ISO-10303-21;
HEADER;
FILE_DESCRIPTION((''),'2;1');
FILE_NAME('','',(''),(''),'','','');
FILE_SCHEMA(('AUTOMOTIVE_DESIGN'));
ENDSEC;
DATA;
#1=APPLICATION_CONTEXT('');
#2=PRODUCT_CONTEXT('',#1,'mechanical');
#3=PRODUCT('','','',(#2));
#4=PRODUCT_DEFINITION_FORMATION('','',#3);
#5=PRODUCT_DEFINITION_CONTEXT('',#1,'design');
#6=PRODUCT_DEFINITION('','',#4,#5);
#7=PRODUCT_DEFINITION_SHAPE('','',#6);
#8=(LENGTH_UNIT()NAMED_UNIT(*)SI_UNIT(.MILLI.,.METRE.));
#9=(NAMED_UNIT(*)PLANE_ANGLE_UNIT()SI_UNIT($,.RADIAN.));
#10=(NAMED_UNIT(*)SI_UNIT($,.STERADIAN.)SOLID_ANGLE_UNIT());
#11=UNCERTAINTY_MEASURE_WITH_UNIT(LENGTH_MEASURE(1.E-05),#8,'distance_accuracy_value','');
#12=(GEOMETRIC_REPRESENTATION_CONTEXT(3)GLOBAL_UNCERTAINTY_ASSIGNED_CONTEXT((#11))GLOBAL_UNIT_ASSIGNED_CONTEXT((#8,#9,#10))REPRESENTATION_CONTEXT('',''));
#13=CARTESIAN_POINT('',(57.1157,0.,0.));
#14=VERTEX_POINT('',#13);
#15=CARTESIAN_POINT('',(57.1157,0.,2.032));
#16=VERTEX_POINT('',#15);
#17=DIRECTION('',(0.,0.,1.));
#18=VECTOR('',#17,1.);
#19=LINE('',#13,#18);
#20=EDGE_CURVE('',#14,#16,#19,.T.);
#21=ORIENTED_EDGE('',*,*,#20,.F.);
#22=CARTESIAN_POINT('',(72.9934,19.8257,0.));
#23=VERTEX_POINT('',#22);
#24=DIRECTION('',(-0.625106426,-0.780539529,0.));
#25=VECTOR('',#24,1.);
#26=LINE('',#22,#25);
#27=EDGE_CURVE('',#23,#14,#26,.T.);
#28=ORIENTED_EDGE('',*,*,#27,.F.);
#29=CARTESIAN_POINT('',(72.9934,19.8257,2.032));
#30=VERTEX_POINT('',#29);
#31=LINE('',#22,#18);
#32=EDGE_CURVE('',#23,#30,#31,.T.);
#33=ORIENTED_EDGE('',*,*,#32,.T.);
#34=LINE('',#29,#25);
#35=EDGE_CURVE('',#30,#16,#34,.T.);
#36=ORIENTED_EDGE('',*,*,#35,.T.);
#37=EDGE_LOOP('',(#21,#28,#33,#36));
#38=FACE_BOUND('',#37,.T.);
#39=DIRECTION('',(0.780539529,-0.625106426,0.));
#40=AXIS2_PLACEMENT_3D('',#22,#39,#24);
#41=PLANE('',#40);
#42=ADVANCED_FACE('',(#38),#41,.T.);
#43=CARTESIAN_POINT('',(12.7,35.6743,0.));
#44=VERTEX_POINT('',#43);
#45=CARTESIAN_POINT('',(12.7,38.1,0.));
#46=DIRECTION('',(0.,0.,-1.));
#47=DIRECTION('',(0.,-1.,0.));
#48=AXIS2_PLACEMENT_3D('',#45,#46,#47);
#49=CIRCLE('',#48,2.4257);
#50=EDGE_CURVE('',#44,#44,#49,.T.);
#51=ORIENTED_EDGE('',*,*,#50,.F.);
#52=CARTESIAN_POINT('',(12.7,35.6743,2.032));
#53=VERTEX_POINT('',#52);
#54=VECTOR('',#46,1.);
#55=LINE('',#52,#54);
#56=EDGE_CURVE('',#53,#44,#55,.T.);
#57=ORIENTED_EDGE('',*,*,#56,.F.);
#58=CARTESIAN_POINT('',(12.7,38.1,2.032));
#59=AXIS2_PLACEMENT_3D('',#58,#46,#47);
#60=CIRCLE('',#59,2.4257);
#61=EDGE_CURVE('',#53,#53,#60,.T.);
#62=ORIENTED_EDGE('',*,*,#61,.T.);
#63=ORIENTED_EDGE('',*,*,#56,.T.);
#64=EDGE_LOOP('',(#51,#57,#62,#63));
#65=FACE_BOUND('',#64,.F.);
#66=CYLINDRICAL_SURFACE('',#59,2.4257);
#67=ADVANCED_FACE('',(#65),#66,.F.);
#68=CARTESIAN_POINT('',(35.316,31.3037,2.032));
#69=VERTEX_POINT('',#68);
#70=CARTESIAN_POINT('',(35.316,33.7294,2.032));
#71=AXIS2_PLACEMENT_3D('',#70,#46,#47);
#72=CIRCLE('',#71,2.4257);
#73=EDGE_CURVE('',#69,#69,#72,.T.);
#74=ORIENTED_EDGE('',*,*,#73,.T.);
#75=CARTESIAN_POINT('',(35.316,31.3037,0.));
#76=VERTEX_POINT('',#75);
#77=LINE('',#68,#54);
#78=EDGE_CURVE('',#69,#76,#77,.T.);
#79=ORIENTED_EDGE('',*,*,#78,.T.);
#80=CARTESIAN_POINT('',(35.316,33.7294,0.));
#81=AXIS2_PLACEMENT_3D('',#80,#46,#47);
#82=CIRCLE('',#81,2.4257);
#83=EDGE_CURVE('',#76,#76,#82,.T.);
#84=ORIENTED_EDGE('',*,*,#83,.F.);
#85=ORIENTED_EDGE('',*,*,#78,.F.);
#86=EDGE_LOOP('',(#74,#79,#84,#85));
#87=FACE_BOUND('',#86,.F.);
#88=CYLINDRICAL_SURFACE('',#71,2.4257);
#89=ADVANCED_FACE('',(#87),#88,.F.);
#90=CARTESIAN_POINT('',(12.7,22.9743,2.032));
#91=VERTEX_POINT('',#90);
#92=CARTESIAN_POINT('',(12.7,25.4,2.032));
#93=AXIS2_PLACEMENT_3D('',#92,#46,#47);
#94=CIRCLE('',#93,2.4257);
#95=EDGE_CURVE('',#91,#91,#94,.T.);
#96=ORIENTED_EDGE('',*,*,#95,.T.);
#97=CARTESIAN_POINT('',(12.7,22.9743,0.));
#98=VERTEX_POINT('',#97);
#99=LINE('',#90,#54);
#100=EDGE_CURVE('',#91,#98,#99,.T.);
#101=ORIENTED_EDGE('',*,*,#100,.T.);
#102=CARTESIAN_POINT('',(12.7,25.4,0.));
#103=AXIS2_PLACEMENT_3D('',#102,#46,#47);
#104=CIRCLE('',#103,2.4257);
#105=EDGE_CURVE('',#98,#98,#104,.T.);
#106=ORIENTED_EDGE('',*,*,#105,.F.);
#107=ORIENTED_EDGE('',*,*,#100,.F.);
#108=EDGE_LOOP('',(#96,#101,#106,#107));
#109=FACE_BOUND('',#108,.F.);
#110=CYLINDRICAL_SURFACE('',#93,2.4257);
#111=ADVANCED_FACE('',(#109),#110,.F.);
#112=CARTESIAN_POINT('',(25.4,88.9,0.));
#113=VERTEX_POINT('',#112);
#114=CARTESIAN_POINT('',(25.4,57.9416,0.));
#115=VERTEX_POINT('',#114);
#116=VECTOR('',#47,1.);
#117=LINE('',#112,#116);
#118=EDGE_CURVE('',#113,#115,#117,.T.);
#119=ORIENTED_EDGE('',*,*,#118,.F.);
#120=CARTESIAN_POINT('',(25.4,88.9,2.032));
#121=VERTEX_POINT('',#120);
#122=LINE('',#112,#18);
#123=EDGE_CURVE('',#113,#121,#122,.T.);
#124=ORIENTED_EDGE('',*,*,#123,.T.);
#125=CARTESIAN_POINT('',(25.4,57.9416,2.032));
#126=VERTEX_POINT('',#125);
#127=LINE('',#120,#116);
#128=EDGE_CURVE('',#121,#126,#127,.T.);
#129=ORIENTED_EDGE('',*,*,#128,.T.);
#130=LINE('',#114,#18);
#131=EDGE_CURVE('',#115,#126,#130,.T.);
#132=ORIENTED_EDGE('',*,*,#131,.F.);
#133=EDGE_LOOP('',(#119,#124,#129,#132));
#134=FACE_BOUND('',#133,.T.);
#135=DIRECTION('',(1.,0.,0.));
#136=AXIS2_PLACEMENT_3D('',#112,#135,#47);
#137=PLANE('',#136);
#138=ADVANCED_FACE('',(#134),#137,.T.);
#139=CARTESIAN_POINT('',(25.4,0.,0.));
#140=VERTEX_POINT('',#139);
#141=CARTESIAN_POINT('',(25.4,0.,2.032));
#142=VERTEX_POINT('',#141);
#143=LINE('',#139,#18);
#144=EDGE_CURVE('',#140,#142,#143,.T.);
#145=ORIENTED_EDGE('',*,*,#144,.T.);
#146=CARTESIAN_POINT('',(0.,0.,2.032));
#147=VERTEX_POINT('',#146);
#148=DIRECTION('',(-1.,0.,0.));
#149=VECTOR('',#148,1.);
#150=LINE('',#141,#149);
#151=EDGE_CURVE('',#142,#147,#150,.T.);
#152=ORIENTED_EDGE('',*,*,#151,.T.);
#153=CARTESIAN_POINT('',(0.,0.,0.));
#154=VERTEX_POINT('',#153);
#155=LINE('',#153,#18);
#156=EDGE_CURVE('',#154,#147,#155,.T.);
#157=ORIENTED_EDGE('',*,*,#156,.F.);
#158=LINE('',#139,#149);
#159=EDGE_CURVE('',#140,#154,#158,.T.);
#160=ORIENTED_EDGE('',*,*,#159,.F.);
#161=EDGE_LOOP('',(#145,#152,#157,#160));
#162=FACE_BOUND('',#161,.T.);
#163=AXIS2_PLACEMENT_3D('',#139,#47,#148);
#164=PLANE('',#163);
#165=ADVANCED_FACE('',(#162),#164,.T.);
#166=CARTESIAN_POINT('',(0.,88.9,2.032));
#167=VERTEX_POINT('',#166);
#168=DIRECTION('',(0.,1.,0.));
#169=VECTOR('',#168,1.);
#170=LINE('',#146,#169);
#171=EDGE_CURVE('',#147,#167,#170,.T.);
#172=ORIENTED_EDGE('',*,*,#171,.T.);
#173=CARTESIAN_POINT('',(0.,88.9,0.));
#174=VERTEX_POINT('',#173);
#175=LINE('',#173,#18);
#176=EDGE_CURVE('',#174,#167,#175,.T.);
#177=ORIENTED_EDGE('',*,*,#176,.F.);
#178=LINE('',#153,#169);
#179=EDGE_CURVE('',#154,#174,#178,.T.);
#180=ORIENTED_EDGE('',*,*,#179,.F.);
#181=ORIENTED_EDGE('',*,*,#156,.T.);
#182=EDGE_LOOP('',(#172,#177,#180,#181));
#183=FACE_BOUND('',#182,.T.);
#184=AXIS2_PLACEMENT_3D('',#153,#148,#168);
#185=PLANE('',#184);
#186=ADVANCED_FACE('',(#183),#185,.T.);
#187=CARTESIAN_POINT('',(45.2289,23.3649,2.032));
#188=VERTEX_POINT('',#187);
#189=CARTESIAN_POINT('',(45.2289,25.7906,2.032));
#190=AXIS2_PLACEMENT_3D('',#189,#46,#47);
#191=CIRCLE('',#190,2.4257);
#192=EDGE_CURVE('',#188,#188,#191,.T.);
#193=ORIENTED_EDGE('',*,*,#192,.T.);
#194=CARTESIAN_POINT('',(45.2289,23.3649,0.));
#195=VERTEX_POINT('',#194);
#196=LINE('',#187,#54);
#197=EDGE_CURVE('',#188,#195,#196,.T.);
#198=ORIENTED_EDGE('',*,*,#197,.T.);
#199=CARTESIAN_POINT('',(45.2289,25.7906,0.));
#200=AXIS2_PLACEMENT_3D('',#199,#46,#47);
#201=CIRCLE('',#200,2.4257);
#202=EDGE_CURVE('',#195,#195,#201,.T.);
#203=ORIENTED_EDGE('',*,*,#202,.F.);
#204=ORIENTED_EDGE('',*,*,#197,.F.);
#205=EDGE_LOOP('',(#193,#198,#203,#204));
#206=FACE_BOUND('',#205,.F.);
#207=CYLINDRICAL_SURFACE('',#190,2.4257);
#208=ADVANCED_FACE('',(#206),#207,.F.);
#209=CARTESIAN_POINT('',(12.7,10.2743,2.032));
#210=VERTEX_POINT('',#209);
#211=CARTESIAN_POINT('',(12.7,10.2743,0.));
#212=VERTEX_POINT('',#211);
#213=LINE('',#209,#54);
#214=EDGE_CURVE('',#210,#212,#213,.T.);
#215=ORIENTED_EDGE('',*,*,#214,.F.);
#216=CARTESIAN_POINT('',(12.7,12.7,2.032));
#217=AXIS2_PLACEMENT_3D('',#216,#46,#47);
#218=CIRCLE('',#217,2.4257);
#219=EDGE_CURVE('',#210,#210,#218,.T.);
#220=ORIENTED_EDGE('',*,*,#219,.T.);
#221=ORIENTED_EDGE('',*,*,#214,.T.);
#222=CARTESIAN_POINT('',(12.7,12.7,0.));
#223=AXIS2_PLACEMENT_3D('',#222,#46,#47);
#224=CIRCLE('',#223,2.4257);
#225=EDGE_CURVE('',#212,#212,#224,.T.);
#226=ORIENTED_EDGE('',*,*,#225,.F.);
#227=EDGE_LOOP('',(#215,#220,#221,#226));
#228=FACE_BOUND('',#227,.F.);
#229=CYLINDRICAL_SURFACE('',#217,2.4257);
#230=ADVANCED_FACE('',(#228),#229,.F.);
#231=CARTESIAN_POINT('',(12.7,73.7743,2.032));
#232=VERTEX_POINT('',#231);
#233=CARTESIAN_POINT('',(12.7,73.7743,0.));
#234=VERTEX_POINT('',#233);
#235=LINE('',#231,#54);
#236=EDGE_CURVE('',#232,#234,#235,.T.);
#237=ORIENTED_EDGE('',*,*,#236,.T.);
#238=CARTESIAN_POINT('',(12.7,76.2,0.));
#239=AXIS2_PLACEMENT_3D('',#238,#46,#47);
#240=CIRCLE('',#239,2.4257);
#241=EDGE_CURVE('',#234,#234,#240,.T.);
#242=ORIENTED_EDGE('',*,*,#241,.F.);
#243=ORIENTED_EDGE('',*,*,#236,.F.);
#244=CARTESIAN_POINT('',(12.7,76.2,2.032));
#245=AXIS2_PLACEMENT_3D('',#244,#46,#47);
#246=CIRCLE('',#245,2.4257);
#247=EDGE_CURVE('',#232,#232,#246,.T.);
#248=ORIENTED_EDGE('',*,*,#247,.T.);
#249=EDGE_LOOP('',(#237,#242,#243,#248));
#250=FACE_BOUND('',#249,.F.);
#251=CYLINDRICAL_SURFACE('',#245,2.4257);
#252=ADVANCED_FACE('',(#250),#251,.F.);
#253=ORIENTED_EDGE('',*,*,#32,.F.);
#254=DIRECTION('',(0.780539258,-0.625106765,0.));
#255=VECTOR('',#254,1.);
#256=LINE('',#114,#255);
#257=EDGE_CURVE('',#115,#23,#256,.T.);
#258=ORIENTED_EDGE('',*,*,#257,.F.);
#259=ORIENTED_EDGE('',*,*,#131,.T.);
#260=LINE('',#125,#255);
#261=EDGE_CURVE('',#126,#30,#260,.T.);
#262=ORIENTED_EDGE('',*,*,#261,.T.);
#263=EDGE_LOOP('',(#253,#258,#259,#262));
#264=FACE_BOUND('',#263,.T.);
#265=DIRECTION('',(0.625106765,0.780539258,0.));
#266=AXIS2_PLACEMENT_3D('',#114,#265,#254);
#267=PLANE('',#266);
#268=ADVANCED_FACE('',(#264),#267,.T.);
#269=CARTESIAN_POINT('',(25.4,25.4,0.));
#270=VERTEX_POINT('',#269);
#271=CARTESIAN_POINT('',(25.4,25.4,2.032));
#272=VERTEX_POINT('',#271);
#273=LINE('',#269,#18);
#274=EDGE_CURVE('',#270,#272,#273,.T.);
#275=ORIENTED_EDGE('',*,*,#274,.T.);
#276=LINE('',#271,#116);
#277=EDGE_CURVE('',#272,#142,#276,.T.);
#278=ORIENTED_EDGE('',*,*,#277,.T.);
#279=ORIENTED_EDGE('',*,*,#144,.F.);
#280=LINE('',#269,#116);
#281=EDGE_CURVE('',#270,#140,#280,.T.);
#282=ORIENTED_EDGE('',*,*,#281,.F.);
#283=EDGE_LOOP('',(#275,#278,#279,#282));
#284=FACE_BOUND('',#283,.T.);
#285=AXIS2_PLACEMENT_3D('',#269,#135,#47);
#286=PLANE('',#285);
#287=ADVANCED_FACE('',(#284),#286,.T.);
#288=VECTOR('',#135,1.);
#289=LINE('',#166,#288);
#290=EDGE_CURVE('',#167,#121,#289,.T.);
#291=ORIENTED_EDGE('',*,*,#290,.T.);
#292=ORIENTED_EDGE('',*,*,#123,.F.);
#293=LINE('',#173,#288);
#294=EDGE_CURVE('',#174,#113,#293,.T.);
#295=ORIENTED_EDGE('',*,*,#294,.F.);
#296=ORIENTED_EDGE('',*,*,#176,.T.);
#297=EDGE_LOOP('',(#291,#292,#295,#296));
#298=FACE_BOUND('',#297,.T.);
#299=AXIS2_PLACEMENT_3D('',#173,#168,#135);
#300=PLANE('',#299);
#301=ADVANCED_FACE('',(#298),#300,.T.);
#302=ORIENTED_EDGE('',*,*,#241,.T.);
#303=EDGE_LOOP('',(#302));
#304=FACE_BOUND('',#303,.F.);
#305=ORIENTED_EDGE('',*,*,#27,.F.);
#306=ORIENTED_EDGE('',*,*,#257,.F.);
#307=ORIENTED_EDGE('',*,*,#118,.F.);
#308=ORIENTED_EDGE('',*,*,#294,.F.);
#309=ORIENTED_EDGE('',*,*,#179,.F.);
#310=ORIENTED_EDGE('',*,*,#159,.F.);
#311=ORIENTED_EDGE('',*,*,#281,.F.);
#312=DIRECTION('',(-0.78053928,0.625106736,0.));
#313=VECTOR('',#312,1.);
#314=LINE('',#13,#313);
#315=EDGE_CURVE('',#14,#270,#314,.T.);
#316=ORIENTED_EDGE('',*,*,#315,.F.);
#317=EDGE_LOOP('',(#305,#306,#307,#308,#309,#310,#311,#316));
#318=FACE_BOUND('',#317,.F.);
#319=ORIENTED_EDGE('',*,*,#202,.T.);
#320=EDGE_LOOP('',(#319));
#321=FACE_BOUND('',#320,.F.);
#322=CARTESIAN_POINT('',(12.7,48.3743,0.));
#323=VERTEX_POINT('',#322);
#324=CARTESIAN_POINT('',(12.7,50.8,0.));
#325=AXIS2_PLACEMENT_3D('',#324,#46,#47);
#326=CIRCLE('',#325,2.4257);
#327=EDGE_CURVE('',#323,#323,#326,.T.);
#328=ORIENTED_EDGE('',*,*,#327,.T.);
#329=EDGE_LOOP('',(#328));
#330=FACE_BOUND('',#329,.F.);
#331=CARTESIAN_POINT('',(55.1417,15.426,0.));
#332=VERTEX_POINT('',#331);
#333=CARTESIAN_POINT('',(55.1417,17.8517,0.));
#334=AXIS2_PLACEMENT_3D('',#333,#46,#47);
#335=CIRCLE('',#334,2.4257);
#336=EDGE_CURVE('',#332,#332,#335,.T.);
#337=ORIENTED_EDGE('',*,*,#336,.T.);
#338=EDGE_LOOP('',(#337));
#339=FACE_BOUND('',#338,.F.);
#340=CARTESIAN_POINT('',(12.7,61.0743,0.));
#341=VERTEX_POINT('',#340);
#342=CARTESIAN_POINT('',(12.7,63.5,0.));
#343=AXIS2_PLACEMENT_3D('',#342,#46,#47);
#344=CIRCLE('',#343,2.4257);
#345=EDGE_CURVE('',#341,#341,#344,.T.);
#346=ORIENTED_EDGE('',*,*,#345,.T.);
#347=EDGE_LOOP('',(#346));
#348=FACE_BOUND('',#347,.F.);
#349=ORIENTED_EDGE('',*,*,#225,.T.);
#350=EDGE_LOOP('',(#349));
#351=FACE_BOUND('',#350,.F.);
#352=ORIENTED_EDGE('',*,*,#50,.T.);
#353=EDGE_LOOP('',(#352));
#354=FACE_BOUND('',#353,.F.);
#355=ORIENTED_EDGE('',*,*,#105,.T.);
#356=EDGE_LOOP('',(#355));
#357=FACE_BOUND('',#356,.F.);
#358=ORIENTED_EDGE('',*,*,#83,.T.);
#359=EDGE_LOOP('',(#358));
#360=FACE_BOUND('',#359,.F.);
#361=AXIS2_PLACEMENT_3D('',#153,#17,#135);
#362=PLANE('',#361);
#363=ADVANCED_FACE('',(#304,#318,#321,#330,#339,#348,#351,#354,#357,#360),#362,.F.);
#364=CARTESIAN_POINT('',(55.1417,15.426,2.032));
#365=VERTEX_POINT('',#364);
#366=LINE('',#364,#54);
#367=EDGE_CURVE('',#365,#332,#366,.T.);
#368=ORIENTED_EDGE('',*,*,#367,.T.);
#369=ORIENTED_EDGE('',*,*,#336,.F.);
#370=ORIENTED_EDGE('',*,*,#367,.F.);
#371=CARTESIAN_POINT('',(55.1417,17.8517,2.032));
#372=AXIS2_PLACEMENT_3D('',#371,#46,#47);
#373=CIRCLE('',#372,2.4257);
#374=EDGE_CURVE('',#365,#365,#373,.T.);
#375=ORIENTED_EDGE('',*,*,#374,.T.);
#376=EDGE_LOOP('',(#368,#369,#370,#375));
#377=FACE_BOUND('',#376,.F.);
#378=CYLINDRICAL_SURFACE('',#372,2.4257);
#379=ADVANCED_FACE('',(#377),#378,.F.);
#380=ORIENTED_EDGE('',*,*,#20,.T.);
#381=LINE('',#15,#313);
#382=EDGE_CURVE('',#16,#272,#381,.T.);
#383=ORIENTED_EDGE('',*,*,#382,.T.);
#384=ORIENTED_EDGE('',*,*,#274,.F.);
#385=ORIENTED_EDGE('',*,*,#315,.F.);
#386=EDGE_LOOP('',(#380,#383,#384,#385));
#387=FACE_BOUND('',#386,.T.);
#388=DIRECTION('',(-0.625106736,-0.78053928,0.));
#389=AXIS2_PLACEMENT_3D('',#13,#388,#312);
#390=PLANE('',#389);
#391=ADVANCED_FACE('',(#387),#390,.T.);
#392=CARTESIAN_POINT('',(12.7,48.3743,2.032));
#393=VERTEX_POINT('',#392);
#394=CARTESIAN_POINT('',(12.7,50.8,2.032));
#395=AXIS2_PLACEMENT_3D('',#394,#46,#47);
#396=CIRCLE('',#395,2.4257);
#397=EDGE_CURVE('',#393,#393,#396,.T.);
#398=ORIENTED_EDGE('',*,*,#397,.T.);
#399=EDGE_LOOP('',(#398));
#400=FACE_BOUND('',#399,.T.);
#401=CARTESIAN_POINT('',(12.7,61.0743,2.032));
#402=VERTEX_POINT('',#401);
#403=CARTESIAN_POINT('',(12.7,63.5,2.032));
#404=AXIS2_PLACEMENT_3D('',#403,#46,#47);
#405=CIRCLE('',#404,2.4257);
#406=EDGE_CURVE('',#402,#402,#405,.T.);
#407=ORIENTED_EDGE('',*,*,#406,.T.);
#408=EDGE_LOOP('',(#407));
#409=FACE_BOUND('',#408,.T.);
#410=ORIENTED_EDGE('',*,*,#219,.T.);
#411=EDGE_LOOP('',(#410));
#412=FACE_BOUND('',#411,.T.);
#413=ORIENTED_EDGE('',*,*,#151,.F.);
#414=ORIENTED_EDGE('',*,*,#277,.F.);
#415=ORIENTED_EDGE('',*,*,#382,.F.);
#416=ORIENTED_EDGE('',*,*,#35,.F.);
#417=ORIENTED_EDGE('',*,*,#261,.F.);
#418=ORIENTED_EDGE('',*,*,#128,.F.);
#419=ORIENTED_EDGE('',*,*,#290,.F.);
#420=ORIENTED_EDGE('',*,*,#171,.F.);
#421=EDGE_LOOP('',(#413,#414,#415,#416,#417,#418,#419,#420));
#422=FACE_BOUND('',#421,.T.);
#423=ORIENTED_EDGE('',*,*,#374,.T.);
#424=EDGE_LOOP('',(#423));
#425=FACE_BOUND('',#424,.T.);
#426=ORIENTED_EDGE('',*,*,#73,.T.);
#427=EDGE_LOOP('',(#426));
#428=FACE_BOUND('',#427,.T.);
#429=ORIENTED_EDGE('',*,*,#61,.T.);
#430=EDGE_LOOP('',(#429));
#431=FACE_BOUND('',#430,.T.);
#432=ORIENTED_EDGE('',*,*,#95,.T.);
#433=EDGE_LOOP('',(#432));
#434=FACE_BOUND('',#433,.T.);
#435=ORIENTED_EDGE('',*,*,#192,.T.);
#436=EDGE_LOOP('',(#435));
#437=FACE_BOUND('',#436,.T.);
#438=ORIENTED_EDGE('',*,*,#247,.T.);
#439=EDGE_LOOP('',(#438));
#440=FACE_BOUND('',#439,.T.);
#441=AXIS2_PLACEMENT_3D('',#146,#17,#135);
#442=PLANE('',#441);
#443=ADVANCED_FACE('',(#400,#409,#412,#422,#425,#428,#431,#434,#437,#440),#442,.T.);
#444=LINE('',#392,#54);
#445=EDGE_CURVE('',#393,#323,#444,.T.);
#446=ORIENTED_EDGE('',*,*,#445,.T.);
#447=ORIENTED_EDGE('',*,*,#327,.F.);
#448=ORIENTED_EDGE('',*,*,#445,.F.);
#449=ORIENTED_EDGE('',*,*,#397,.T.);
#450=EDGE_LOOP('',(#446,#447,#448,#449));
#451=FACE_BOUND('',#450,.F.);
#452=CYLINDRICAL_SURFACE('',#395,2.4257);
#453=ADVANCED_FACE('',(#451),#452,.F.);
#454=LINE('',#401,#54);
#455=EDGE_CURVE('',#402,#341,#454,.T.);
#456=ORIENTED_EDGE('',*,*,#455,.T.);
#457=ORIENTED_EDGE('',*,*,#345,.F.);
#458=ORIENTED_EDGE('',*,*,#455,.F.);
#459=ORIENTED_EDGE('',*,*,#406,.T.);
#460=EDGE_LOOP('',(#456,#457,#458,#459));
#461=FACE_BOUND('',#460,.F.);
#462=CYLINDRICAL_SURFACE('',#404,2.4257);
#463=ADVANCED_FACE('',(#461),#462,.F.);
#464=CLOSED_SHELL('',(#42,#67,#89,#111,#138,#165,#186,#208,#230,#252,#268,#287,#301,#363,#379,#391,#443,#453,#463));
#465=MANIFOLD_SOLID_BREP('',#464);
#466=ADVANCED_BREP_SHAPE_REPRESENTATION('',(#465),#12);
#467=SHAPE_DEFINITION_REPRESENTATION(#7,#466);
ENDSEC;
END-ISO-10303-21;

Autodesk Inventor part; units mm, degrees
ref_plane "YZ Plane" through (0, 0, 0) normal (1, 0, 0) x (0, 1, 0)
ref_plane "XZ Plane" through (0, 0, 0) normal (0, 1, 0) x (-1, 0, 0)
ref_plane "XY Plane" through (0, 0, 0) normal (0, 0, 1) x (1, 0, 0)
sketch "Sketch1" plane through (0, 0, 0) normal (0, 0, 1) x (1, 0, 0)
  line L0 (0, 0) -> (0, 88.9)
  line L1 (0, 88.9) -> (25.4, 88.9)
  line L2 (25.4, 88.9) -> (25.4, 57.9416)
  line L3 (25.4, 57.9416) -> (72.9934, 19.8257)
  line L4 (72.9934, 19.8257) -> (57.1157, 0)
  line L5 (57.1157, 0) -> (25.4, 25.4)
  line L6 (25.4, 25.4) -> (25.4, 0)
  line L7 (25.4, 0) -> (0, 0)
  dimension "d0" = 25.4
  dimension "d1" = 25.4
  dimension "d3" = 25.4
  dimension "d5" = 51.31
  dimension "d18" = 88.9
extrude "Extrusion1" add sketch "Sketch1" along normal blind 2.032
sketch "Sketch3" plane through (0, 0, 2.032) normal (0, 0, 1) x (1, 0, 0)
  line L0 (25.4, 57.9416) -> (25.4, 88.9) projected
  line L1 (0, 0) -> (25.4, 0) projected
  line L2 (72.9934, 19.8257) -> (25.4, 57.9416) projected
  line L3 (57.1157, 0) -> (72.9934, 19.8257) projected
  point P0 (12.7, 12.7)
  point P1 (12.7, 25.4)
  point P2 (12.7, 38.1)
  point P3 (12.7, 50.8)
  point P4 (12.7, 63.5)
  point P5 (12.7, 76.2)
  point P6 (55.1417, 17.8517)
  point P7 (45.2289, 25.7906)
  point P8 (35.316, 33.7294)
  dimension "d8" = 12.7
  dimension "d9" = 12.7
  dimension "d10" = 12.7
  dimension "d11" = 12.7
  dimension "d12" = 12.7
  dimension "d13" = 12.7
  dimension "d14" = 12.7
  dimension "d19" = 12.7
  dimension "d20" = 12.7
  dimension "d21" = 12.7
  dimension "d23" = 12.7
  dimension "d24" = 12.7
  dimension "d25" = 12.7
hole "Hole1" at (12.7, 12.7, 2.032) at (12.7, 25.4, 2.032) at (12.7, 38.1, 2.032) at (12.7, 50.8, 2.032) at (12.7, 63.5, 2.032) at (12.7, 76.2, 2.032) at (55.1417, 17.8517, 2.032) at (45.2289, 25.7906, 2.032) at (35.316, 33.7294, 2.032) direction (0, 0, -1) diameter 4.8514 end through all
equation "\"d10\" = d9"
equation "\"d11\" = d9"
equation "\"d12\" = d9"
equation "\"d13\" = d9"
equation "\"d14\" = d9"
equation "\"d20\" = d19"
equation "\"d21\" = d19"
equation "\"d23\" = d9"
equation "\"d24\" = d9"
equation "\"d25\" = d9"
properties part number "SUP_011_Top4BarBarGusset" material "Aluminum 6061"
